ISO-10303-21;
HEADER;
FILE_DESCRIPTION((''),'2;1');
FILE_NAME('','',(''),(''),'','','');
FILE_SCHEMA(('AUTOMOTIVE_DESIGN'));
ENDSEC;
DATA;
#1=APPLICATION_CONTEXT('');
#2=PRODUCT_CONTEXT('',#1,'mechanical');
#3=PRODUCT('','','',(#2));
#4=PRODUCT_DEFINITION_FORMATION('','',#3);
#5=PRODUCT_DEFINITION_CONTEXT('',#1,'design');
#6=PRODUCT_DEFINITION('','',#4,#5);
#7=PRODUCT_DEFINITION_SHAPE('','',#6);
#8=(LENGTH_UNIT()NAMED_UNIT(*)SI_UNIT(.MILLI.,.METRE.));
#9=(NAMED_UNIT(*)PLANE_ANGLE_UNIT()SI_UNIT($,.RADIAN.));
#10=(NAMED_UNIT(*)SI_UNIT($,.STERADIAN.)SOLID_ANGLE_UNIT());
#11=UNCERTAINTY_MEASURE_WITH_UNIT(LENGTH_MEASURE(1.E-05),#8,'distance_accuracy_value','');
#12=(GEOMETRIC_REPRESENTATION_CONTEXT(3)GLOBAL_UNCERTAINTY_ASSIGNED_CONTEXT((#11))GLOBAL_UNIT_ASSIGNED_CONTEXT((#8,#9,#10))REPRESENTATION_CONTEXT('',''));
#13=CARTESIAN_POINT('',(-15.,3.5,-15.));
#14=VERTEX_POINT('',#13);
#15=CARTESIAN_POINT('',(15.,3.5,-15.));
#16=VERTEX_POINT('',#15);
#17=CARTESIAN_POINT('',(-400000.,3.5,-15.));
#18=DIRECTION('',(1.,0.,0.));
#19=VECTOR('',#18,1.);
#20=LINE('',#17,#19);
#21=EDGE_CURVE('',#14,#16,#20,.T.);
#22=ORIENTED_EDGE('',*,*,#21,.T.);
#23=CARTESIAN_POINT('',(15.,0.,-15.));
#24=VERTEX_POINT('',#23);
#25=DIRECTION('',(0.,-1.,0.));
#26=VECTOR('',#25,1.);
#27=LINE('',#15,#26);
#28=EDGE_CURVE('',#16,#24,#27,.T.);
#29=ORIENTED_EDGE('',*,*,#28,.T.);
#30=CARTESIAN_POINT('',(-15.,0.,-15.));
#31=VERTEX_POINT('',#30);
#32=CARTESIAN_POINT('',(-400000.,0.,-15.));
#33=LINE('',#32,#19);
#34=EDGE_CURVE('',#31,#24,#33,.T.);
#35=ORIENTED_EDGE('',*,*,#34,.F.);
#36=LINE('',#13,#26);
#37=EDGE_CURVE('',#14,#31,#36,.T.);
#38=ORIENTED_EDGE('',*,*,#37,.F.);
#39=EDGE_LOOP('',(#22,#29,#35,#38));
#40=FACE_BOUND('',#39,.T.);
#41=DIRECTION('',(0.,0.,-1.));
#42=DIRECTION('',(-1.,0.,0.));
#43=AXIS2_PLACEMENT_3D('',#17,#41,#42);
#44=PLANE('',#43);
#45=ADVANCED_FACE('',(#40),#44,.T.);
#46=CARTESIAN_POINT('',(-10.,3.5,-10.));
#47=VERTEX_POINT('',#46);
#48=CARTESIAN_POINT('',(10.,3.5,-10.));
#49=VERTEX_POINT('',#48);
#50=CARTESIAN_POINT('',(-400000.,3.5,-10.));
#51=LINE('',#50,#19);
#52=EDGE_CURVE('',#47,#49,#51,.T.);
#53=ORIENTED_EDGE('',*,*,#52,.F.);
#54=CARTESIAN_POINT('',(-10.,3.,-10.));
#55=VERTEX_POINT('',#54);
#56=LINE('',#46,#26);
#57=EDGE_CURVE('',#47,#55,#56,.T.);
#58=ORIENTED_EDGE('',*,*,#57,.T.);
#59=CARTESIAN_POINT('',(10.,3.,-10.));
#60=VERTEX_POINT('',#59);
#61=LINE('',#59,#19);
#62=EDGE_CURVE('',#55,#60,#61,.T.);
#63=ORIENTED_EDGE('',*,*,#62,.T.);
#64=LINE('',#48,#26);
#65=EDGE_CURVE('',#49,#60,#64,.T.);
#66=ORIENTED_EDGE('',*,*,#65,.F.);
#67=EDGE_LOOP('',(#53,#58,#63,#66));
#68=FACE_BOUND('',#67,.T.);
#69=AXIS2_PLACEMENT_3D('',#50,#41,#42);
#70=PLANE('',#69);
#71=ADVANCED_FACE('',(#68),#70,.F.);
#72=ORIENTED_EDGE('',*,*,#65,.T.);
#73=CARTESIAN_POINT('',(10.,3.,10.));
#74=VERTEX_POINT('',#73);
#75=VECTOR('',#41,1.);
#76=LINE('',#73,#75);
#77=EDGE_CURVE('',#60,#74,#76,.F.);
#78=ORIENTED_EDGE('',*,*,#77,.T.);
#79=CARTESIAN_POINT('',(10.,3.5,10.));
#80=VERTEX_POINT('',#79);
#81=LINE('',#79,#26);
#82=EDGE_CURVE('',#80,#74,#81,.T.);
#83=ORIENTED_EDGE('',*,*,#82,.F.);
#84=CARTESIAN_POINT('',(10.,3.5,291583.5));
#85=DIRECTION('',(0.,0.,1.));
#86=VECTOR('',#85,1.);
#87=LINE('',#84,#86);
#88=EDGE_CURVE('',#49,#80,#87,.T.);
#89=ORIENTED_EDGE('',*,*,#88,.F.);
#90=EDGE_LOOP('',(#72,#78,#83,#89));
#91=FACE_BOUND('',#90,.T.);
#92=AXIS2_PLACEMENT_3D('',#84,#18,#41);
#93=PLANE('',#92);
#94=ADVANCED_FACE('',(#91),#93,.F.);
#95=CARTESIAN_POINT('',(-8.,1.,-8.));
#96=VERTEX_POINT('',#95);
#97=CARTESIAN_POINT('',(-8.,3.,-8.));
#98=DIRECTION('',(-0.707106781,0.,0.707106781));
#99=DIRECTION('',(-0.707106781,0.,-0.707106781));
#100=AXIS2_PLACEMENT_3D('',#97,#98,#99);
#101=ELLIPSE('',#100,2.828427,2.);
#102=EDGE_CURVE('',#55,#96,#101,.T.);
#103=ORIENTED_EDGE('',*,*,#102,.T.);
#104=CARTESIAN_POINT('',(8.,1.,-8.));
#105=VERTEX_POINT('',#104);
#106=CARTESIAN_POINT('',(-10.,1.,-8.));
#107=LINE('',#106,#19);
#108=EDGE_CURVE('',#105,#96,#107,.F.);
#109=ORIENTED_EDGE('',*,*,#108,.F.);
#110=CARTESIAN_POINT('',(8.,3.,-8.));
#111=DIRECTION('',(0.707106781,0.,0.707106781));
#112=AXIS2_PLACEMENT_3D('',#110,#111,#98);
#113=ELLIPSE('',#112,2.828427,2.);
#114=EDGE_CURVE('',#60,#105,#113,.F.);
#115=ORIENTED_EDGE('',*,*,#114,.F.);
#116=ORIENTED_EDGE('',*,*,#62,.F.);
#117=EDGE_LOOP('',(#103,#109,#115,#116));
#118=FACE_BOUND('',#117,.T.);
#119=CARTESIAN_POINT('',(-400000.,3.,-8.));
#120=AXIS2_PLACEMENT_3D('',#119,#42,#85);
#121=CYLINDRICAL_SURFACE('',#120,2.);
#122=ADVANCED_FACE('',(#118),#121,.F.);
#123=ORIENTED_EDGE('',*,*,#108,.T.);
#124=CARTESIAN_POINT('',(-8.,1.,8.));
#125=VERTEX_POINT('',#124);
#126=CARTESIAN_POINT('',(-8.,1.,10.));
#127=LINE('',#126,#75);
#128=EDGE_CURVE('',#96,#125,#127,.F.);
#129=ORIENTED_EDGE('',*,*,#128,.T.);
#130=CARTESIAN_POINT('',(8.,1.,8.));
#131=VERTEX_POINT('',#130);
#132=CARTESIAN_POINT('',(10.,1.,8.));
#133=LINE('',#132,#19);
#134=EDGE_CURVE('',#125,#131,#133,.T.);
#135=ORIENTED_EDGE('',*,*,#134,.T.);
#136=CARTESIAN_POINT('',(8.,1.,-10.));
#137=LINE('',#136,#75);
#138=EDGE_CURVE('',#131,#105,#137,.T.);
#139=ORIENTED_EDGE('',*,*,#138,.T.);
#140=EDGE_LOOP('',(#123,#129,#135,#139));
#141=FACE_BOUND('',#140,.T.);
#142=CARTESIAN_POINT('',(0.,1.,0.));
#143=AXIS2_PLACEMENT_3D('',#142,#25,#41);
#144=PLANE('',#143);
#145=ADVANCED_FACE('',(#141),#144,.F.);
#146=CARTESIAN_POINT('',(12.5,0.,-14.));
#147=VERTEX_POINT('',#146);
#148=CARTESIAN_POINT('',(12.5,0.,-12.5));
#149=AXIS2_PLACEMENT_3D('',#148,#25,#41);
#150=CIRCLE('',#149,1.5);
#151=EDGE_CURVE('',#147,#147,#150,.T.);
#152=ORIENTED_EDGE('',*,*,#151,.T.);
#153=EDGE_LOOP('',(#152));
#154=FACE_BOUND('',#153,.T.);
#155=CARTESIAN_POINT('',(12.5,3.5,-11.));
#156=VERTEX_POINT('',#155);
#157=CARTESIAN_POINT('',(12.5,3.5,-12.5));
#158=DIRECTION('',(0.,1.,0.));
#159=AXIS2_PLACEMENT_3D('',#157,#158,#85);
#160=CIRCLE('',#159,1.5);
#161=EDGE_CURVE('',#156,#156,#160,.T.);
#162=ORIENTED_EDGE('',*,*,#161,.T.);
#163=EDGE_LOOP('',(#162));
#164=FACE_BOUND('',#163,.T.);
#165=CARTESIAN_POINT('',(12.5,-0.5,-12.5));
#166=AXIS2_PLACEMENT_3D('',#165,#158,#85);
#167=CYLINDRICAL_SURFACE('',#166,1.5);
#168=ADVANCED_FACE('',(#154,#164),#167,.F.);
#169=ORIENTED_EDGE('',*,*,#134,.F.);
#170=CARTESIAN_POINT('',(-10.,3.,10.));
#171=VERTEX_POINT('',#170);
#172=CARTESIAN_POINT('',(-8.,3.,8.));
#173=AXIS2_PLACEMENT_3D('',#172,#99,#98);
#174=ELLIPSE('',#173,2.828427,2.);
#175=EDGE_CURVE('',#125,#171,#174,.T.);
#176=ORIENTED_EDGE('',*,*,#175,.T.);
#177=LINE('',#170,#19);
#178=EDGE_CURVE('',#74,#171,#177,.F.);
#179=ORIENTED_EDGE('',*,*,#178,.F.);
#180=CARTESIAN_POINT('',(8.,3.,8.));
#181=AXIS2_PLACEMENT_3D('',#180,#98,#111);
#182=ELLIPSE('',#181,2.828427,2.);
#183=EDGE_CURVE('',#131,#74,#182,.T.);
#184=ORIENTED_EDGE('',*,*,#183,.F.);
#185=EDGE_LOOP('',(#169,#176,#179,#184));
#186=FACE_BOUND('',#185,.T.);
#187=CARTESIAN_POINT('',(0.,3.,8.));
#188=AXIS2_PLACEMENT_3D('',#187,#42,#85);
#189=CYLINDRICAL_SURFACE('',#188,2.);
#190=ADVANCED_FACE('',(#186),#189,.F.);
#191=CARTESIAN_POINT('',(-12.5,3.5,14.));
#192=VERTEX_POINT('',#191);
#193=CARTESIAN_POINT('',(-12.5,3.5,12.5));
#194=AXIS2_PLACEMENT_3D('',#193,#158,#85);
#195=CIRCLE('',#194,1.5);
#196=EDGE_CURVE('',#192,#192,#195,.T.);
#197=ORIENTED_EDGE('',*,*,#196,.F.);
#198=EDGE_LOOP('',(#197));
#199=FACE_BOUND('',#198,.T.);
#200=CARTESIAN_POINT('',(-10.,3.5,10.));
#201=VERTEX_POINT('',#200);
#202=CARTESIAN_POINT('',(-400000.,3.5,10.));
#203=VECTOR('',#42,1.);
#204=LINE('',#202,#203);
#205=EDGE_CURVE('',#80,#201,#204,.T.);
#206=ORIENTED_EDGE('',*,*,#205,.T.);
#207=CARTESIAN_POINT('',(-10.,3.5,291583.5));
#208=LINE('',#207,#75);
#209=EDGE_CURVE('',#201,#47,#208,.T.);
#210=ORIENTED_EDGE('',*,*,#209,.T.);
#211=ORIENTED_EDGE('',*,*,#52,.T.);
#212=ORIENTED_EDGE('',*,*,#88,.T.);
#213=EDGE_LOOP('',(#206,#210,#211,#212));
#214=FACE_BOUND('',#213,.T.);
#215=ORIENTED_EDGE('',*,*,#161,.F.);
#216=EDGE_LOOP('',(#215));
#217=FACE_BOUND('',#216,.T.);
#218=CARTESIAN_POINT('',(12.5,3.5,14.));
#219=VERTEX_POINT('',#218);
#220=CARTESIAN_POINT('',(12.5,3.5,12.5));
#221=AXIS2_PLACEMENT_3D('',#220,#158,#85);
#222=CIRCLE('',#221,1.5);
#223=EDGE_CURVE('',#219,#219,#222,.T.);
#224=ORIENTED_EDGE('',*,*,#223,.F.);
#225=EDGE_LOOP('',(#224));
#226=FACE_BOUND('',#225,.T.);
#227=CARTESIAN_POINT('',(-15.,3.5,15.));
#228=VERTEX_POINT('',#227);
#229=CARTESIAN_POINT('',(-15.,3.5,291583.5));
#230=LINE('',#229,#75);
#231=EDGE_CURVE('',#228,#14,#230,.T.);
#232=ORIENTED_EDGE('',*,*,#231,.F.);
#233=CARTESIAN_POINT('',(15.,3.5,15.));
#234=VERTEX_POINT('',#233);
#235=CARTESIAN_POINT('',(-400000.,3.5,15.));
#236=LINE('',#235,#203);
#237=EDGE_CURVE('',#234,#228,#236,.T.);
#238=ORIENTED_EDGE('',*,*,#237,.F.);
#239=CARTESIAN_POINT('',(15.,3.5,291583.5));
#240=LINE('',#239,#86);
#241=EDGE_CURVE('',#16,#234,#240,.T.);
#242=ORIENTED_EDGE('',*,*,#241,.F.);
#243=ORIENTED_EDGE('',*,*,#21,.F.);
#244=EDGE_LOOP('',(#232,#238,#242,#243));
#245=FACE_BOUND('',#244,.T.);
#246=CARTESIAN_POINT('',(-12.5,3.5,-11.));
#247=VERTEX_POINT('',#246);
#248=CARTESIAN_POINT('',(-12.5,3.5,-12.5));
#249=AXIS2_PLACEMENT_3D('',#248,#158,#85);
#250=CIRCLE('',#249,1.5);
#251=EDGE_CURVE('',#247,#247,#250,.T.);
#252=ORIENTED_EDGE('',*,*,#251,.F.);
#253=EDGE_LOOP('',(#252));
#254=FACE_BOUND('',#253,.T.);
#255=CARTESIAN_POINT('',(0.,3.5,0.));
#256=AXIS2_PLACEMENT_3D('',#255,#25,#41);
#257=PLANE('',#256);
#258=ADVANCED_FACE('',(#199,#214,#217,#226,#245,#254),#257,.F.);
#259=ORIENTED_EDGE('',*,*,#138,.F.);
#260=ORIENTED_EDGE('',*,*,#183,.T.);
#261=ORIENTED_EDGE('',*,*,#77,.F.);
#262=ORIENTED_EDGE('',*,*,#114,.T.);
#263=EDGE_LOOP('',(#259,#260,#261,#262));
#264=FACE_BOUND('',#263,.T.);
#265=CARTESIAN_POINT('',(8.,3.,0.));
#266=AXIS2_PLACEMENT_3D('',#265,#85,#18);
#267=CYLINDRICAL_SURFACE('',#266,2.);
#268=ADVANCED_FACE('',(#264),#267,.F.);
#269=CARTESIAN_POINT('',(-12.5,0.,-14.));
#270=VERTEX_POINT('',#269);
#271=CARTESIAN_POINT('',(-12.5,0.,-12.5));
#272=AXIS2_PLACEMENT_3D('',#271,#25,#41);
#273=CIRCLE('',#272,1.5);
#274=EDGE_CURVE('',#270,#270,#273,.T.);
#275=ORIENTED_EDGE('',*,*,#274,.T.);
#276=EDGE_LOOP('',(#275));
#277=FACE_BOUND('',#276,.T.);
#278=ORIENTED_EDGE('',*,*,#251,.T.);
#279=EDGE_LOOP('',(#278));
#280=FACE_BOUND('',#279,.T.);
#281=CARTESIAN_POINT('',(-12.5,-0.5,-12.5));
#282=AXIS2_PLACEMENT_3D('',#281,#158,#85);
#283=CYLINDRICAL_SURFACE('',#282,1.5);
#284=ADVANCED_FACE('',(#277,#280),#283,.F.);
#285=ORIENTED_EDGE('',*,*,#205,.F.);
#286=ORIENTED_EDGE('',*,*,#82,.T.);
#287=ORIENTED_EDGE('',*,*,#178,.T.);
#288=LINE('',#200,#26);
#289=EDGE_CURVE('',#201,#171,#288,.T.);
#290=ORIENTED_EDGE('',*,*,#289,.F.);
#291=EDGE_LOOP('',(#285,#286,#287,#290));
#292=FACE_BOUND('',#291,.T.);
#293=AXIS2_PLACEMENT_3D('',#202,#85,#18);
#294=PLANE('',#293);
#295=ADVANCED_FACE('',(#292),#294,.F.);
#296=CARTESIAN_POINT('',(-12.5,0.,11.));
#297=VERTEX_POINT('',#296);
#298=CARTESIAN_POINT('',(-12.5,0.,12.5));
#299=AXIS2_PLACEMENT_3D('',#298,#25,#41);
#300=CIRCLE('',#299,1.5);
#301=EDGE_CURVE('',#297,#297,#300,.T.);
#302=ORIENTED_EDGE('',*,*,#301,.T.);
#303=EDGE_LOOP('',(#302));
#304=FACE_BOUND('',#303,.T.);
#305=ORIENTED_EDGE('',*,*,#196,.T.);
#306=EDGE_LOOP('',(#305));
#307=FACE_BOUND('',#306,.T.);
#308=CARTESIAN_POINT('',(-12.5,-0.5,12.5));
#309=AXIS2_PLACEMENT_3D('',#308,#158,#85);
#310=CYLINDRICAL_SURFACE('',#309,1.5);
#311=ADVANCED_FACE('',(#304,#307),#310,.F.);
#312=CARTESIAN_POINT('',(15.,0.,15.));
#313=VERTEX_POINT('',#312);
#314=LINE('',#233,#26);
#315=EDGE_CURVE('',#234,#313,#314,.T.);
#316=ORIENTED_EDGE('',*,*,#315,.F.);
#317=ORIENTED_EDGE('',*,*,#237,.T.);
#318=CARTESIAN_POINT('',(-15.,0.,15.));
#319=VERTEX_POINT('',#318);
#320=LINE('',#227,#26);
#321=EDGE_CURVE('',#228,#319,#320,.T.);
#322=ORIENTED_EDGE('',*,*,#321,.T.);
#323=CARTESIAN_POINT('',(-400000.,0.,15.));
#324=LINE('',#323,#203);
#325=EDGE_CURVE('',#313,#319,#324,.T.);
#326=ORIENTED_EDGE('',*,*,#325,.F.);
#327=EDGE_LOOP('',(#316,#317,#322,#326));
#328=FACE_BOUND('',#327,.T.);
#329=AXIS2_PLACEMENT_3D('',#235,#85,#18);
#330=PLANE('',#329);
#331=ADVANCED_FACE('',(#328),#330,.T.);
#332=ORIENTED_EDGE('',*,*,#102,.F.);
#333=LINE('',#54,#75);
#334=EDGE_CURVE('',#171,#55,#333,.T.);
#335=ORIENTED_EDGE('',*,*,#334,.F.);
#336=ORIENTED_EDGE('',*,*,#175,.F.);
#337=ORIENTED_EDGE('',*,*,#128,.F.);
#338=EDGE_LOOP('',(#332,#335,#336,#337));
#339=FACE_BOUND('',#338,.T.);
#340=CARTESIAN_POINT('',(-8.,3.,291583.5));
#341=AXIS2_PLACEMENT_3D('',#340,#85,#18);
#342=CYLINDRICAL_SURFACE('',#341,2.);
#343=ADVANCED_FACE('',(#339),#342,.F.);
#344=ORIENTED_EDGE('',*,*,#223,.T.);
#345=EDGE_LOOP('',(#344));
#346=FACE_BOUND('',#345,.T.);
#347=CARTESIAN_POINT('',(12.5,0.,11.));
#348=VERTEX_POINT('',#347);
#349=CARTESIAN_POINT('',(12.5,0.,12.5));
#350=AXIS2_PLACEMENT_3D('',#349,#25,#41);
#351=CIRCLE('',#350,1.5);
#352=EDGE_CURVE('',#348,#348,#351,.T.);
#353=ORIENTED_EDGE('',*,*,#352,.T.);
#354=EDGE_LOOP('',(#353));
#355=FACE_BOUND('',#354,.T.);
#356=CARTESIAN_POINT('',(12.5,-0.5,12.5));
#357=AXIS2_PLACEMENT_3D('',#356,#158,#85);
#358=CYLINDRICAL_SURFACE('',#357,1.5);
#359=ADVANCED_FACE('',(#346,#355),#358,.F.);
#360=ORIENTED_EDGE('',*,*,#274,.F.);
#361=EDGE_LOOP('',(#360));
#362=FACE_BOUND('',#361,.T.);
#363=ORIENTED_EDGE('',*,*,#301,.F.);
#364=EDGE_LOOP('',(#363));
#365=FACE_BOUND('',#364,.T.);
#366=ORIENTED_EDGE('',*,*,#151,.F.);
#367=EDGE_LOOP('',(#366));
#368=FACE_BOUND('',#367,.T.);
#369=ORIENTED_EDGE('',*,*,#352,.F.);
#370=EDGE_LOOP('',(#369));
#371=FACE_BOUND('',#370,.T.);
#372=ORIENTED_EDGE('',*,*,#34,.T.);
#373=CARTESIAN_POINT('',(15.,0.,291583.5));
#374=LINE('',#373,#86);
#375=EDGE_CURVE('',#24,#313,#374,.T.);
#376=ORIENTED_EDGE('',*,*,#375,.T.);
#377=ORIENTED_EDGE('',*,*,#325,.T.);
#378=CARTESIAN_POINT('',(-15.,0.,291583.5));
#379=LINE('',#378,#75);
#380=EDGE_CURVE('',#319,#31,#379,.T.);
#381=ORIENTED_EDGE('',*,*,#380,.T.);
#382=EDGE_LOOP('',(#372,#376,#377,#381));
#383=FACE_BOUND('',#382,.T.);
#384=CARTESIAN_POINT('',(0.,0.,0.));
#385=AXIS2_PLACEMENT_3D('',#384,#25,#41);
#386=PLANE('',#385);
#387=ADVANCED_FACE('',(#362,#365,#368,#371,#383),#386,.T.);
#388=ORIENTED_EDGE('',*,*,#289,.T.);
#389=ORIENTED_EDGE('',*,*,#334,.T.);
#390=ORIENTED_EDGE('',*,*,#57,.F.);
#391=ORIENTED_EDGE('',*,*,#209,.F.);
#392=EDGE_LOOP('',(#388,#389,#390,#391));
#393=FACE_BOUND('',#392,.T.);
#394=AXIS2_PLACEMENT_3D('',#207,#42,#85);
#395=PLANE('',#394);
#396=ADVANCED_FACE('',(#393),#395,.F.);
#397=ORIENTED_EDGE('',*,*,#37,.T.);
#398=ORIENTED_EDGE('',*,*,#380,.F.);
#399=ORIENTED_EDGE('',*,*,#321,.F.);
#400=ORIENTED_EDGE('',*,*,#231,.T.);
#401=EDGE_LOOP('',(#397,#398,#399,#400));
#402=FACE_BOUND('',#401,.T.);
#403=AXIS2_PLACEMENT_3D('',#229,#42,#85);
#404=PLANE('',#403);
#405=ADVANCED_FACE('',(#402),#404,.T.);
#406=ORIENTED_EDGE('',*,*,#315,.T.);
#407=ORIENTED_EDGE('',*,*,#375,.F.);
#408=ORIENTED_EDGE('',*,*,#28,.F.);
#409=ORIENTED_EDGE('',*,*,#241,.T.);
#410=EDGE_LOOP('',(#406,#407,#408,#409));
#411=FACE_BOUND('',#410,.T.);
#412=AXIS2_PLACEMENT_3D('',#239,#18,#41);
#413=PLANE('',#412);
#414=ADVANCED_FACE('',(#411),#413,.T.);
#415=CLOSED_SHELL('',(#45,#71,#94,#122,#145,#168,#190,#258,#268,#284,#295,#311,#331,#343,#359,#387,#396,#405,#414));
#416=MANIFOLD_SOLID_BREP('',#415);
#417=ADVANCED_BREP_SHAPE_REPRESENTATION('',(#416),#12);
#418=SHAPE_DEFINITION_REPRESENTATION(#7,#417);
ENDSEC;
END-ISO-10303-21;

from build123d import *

# Parameters (mm, degrees)
SKETCH2_W           = 30
SKETCH2_H           = 30
SKETCH2_W_2         = 20
SKETCH2_H_2         = 20
BOSS_EXTRUDE2_DEPTH = 3.5
SKETCH2_4_W         = 20
SKETCH2_4_H         = 20
BOSS_EXTRUDE3_DEPTH = 1
FILLET1_R           = 2
CUT_EXTRUDE1_DEPTH  = 4


with BuildPart() as part:
    # Sketch2 → Boss-Extrude2 (new body)
    with BuildSketch(Plane(origin=(0, 0, 0), x_dir=(1, 0, 0), z_dir=(0, 1, 0))):
        Rectangle(SKETCH2_W, SKETCH2_H)
        Rectangle(SKETCH2_W_2, SKETCH2_H_2, mode=Mode.SUBTRACT)
    extrude(amount=BOSS_EXTRUDE2_DEPTH)

    # Sketch2<4> → Boss-Extrude3 (add)
    with BuildSketch(Plane(origin=(0, 0, 0), x_dir=(1, 0, 0), z_dir=(0, 1, 0))):
        Rectangle(SKETCH2_4_W, SKETCH2_4_H)
    extrude(amount=BOSS_EXTRUDE3_DEPTH)

    # Fillet1
    fillet1_edges = [part.edges().sort_by_distance(p)[0] for p in [
        (-10, 1, 0),
        (0, 1, -10),
        (0, 1, 10),
        (10, 1, 0),
    ]]
    fillet(fillet1_edges, radius=FILLET1_R)

    # Sketch6 → Cut-Extrude1 (cut)
    with BuildSketch(Plane(origin=(0, 3.5, 0), x_dir=(1, 0, 0), z_dir=(0, 1, 0))):
        with BuildLine():
            ThreePointArc((-13.560660172, 13.560660172), (-13.560660172, 11.439339828), (-11.439339828, 11.439339828))
            Line((-11.439339828, 11.439339828), (-13.560660172, 13.560660172))
        make_face()
        with BuildLine():
            Line((-13.560660172, 13.560660172), (-11.439339828, 11.439339828))
            ThreePointArc((-11.439339828, 11.439339828), (-11.114180701, 11.925974851), (-11, 12.5))
            ThreePointArc((-11, 12.5), (-11.925974851, 13.885819299), (-13.560660172, 13.560660172))
        make_face()
        with BuildLine():
            ThreePointArc((13.560660172, 13.560660172), (11.439339828, 13.560660172), (11.439339828, 11.439339828))
            Line((11.439339828, 11.439339828), (13.560660172, 13.560660172))
        make_face()
        with BuildLine():
            Line((13.560660172, 13.560660172), (11.439339828, 11.439339828))
            ThreePointArc((11.439339828, 11.439339828), (13.074025149, 11.114180701), (14, 12.5))
            ThreePointArc((14, 12.5), (13.885819299, 13.074025149), (13.560660172, 13.560660172))
        make_face()
        with BuildLine():
            ThreePointArc((14, -12.5), (13.074025149, -11.114180701), (11.439339828, -11.439339828))
            Line((11.439339828, -11.439339828), (13.560660172, -13.560660172))
            ThreePointArc((13.560660172, -13.560660172), (13.885819299, -13.074025149), (14, -12.5))
        make_face()
        with BuildLine():
            Line((13.560660172, -13.560660172), (11.439339828, -11.439339828))
            ThreePointArc((11.439339828, -11.439339828), (11.439339828, -13.560660172), (13.560660172, -13.560660172))
        make_face()
        with BuildLine():
            ThreePointArc((-11, -12.5), (-11.114180701, -11.925974851), (-11.439339828, -11.439339828))
            Line((-11.439339828, -11.439339828), (-13.560660172, -13.560660172))
            ThreePointArc((-13.560660172, -13.560660172), (-11.925974851, -13.885819299), (-11, -12.5))
        make_face()
        with BuildLine():
            Line((-13.560660172, -13.560660172), (-11.439339828, -11.439339828))
            ThreePointArc((-11.439339828, -11.439339828), (-13.560660172, -11.439339828), (-13.560660172, -13.560660172))
        make_face()
    extrude(amount=-CUT_EXTRUDE1_DEPTH, mode=Mode.SUBTRACT)


solid = part.part
